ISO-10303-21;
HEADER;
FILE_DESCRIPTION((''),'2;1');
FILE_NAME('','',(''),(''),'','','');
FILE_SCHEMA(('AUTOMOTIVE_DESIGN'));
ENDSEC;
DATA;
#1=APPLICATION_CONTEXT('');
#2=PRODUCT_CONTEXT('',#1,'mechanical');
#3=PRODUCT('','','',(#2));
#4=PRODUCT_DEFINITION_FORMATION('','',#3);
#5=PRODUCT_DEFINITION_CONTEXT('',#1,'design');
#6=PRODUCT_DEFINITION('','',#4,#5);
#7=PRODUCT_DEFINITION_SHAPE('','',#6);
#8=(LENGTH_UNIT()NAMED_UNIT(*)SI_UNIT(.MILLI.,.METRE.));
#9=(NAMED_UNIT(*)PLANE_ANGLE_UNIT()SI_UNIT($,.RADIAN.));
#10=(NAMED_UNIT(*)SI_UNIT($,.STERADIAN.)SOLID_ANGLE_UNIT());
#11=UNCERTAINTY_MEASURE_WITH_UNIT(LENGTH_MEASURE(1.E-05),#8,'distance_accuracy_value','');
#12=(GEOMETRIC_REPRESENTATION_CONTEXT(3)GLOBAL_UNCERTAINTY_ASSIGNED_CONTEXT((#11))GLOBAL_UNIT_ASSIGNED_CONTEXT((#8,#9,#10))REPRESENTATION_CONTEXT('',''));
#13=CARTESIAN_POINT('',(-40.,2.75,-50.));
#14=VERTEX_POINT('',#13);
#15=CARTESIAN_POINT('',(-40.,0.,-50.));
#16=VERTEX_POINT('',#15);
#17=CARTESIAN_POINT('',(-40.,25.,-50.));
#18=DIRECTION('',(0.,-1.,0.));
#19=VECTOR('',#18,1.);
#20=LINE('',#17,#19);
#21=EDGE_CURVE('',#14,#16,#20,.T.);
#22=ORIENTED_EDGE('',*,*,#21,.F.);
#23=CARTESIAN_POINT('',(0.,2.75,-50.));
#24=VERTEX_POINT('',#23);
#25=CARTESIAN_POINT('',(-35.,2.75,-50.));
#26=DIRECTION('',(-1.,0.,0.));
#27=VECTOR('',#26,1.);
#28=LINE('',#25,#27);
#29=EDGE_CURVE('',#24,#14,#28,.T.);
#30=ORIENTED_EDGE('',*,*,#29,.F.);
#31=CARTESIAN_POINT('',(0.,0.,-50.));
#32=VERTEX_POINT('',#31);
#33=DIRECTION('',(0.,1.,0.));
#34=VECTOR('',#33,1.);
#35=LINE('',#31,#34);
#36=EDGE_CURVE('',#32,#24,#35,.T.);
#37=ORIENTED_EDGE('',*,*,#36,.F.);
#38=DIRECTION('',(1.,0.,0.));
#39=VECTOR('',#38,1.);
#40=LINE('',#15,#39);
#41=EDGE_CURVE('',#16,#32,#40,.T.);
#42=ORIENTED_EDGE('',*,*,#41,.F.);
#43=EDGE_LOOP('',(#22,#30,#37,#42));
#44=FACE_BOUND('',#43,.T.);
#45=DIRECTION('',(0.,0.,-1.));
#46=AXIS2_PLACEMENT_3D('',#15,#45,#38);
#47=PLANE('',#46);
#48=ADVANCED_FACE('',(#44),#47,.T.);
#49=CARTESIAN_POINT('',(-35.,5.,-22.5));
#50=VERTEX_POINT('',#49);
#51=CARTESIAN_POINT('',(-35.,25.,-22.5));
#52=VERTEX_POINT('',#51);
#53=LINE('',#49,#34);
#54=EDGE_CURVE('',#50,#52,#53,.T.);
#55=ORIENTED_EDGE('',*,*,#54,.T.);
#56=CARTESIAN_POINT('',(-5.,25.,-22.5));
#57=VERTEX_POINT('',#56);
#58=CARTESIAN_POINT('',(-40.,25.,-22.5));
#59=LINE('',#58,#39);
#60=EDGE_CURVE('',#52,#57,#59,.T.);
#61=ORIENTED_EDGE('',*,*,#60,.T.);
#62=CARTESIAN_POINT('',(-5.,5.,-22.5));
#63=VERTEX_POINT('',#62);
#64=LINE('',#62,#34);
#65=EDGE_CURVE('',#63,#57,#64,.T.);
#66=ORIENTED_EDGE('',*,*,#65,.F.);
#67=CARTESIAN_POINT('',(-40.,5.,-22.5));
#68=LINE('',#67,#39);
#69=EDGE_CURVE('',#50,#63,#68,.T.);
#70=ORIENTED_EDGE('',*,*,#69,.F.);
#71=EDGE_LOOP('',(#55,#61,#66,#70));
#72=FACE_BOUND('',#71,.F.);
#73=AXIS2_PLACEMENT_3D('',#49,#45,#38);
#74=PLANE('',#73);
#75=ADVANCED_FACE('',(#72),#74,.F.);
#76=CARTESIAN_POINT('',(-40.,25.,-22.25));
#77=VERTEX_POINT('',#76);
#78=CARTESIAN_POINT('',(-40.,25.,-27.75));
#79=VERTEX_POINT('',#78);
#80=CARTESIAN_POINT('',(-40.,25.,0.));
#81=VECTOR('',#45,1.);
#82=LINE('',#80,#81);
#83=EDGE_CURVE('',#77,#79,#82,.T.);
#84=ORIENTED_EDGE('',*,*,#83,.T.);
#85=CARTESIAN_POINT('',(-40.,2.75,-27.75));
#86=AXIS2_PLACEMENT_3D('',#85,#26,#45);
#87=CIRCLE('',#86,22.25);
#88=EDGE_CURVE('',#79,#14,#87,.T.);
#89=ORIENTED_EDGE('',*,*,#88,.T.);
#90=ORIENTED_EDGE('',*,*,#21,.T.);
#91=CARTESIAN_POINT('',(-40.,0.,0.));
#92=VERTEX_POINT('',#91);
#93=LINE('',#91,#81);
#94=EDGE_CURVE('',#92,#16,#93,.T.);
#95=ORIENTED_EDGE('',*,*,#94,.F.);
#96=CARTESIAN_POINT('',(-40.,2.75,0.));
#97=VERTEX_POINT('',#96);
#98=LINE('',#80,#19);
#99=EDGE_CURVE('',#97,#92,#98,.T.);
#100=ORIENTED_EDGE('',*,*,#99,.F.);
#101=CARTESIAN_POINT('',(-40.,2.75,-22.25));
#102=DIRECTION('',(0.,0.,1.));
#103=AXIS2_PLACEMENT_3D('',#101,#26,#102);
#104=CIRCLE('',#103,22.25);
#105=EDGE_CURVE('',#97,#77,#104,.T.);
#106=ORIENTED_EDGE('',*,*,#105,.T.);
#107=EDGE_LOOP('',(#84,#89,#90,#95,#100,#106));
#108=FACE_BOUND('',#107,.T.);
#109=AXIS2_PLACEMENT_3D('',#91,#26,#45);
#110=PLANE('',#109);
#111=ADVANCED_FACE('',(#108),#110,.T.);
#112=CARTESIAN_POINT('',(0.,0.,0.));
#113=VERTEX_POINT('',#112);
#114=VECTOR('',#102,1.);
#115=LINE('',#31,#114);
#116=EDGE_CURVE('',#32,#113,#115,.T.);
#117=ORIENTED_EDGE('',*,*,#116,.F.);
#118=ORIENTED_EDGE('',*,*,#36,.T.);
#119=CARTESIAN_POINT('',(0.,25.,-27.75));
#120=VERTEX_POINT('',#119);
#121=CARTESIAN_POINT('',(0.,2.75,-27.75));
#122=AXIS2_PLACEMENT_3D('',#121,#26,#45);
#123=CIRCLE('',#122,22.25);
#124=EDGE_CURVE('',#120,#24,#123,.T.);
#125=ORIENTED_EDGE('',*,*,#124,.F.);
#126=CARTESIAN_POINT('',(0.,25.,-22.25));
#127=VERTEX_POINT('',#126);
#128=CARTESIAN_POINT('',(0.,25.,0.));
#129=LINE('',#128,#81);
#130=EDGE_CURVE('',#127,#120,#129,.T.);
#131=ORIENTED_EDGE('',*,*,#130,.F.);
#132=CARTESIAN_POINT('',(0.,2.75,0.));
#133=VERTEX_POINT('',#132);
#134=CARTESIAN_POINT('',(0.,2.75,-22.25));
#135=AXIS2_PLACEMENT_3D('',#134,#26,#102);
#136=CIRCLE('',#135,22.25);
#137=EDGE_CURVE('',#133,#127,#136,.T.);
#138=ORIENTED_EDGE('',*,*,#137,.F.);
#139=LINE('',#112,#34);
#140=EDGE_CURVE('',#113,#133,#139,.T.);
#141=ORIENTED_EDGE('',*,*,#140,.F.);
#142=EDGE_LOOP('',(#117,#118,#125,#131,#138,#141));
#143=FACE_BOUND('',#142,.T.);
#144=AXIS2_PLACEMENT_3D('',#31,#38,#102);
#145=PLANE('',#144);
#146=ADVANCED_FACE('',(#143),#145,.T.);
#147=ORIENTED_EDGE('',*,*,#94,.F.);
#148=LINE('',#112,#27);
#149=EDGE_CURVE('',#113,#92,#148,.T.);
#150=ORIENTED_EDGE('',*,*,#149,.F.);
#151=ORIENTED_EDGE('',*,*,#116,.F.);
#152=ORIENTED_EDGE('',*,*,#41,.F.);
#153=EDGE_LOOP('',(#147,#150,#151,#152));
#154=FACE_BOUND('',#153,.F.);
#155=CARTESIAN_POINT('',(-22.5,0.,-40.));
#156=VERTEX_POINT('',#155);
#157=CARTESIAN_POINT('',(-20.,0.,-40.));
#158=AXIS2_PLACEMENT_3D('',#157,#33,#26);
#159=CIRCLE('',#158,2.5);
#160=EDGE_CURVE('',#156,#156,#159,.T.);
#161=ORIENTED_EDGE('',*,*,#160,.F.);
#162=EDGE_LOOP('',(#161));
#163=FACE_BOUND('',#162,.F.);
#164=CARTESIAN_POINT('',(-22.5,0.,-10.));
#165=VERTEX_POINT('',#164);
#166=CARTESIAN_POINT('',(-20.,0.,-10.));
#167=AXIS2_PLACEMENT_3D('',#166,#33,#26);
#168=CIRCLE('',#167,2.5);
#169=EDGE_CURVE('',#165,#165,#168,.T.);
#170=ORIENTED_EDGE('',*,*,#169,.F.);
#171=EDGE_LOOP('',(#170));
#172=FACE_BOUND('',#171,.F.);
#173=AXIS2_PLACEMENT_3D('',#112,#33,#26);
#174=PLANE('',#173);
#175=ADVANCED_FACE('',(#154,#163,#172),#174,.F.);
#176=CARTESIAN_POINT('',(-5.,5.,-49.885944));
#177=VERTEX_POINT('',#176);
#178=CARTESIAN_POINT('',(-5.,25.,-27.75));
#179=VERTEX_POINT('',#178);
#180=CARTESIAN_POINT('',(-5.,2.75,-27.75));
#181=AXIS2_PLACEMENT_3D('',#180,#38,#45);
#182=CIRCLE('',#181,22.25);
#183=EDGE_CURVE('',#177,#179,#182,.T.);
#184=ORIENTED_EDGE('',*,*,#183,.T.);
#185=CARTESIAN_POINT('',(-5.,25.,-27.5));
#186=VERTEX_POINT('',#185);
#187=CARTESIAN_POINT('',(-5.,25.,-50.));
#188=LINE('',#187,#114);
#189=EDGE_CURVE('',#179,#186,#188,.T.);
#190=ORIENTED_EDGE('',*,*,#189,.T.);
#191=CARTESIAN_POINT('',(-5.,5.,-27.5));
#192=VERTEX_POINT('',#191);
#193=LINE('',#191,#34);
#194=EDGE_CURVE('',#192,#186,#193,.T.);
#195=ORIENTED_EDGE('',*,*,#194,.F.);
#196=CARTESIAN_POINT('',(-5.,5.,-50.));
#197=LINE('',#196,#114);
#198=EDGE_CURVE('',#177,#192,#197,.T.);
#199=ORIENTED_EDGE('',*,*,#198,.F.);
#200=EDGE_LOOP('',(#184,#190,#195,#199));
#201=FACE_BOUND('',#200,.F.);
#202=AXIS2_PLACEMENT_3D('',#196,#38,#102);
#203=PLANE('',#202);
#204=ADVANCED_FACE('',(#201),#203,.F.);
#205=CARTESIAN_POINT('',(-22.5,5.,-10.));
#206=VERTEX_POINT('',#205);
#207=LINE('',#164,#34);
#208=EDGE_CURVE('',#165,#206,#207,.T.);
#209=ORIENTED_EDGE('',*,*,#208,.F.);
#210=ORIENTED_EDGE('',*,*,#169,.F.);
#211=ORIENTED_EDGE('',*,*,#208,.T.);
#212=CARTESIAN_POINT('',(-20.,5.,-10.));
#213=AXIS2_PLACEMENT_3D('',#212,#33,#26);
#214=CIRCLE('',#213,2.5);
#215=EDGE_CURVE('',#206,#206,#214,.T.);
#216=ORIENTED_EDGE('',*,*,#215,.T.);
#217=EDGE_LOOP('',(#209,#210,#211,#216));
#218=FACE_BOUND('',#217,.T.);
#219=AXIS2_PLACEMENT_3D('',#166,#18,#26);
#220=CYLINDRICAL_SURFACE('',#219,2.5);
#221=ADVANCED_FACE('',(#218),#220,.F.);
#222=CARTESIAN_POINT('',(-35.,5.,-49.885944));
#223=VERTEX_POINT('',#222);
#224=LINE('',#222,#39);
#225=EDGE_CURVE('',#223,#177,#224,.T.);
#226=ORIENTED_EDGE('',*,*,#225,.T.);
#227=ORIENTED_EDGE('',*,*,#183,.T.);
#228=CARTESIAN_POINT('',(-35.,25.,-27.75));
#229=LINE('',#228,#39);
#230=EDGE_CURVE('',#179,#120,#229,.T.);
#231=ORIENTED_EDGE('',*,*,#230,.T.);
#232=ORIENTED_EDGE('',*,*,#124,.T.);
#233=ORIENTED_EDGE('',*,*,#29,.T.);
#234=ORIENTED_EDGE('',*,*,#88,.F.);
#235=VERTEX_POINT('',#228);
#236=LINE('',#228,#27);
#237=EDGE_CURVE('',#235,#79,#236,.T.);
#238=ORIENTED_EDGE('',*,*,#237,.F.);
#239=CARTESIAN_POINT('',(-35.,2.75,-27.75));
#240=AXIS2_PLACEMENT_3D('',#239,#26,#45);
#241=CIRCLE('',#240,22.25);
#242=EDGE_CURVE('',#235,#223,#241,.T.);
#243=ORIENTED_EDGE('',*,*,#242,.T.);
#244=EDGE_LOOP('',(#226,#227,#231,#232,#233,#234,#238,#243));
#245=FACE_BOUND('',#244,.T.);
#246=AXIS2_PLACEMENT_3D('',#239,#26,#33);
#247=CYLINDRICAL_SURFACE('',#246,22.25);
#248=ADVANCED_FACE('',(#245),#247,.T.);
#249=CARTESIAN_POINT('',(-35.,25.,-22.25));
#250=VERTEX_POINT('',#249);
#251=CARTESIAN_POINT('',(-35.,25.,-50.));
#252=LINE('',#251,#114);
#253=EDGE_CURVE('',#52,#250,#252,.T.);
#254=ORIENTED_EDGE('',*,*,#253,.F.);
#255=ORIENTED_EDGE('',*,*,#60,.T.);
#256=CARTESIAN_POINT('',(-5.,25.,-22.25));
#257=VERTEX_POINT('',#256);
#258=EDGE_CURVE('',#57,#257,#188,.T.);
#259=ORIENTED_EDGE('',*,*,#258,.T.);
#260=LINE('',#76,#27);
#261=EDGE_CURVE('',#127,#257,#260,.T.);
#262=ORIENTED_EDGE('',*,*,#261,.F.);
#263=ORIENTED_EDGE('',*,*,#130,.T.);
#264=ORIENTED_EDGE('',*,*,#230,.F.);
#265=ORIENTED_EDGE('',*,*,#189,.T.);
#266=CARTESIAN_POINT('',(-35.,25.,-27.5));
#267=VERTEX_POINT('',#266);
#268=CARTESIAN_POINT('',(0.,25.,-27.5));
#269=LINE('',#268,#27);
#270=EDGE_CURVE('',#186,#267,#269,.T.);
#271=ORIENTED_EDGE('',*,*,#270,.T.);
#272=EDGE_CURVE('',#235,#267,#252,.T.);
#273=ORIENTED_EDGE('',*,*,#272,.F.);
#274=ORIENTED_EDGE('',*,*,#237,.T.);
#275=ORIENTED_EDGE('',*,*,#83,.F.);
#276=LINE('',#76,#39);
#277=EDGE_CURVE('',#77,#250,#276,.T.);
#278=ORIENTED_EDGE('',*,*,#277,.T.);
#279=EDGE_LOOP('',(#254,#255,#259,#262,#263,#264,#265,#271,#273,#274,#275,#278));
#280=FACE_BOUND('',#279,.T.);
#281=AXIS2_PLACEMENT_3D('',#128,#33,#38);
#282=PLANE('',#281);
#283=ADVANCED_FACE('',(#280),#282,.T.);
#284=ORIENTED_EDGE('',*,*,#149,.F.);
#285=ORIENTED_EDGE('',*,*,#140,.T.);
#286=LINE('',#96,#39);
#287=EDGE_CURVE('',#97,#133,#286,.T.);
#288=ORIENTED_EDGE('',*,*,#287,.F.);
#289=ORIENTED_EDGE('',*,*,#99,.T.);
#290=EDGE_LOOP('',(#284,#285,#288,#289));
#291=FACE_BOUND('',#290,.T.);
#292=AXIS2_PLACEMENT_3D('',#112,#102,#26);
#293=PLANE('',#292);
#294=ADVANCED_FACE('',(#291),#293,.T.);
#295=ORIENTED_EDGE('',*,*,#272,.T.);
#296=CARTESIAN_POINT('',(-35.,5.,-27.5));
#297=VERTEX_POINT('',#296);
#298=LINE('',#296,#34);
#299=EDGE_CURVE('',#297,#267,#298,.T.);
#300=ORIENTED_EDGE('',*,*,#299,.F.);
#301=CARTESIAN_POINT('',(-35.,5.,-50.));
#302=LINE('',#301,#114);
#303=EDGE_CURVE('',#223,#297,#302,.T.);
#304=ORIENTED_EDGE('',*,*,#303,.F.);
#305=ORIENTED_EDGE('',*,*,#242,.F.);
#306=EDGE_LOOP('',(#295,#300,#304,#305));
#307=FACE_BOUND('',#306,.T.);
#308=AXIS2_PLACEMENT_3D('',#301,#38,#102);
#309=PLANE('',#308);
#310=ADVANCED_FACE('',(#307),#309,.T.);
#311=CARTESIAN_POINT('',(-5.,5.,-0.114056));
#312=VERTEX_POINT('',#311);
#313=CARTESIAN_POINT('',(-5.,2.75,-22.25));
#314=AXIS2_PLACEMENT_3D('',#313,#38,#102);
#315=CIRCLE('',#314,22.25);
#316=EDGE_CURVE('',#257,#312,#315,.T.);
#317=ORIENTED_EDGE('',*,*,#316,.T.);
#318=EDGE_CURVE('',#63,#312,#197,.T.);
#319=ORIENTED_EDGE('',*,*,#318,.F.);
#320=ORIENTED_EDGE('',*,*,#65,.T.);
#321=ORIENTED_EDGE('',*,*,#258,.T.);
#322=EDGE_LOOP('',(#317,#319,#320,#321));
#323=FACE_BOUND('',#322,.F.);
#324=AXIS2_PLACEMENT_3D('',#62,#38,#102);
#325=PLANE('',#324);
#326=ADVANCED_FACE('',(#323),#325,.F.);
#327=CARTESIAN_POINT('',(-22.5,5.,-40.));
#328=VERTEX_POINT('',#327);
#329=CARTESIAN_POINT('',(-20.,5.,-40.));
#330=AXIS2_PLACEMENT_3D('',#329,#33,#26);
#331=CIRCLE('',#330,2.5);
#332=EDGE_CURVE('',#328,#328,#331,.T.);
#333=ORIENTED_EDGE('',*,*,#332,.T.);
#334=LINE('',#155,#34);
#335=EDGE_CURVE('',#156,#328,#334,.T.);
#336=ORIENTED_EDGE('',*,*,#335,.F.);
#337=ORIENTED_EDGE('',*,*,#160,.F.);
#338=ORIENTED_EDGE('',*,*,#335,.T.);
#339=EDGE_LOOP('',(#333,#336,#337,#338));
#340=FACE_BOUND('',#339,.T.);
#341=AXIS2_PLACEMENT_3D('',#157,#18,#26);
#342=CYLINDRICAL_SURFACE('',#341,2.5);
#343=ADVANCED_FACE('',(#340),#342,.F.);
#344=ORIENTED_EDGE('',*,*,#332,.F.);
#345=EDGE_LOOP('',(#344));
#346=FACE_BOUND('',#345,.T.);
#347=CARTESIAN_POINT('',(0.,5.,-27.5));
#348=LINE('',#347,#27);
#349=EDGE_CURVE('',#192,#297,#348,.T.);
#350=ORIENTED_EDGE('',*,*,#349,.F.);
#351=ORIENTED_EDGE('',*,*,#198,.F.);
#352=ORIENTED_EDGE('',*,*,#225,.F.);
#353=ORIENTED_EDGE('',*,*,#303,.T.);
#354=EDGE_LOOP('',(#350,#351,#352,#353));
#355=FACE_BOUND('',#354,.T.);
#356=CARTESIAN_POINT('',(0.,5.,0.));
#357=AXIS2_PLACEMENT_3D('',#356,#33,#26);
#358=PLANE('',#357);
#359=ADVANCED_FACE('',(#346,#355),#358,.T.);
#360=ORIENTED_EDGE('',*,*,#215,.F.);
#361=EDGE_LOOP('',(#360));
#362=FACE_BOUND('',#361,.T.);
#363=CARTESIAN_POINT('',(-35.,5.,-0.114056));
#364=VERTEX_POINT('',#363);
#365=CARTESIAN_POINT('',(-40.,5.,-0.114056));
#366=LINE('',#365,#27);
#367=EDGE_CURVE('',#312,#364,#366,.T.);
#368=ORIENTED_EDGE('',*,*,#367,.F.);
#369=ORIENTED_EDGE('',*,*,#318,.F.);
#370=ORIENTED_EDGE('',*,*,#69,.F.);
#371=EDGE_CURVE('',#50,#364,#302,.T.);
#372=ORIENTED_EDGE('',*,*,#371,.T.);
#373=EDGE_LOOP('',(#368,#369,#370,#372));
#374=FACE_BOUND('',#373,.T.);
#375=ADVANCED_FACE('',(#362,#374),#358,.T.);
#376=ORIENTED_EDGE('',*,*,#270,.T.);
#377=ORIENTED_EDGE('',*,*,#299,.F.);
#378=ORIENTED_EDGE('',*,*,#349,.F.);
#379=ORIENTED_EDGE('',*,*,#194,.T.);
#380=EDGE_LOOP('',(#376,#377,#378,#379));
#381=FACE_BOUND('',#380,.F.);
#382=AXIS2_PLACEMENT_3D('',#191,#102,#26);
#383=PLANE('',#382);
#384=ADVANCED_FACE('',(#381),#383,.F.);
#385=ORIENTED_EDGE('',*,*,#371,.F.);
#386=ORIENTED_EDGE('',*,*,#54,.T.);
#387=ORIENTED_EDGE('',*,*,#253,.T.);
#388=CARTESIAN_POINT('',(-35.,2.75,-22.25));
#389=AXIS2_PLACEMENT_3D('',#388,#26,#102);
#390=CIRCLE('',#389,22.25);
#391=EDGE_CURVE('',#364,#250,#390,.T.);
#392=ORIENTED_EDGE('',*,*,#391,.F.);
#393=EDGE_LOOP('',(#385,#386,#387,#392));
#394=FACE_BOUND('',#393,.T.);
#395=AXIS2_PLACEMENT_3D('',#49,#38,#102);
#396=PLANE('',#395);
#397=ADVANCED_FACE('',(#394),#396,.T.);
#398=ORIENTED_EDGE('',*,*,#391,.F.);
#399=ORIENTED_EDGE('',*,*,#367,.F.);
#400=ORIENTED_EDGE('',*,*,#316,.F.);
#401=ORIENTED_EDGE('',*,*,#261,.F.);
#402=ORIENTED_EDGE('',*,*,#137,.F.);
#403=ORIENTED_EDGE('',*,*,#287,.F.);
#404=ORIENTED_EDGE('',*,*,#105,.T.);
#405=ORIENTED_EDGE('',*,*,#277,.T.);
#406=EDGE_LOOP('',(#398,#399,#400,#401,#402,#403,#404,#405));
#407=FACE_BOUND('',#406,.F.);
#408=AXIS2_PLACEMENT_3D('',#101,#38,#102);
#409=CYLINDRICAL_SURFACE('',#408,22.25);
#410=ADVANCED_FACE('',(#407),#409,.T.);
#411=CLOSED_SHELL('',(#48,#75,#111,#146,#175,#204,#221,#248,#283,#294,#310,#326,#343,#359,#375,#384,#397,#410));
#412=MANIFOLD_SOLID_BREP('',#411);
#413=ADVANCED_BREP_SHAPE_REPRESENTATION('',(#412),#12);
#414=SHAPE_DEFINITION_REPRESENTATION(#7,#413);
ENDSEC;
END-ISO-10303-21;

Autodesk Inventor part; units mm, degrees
ref_plane "YZ Plane" through (0, 0, 0) normal (1, 0, 0) x (0, 1, 0)
ref_plane "XZ Plane" through (0, 0, 0) normal (0, 1, 0) x (-1, 0, 0)
ref_plane "XY Plane" through (0, 0, 0) normal (0, 0, 1) x (1, 0, 0)
sketch "Sketch1" plane through (0, 0, 0) normal (0, 1, 0) x (-1, 0, 0)
  line L0 (0, 0) -> (40, 0)
  line L1 (40, 0) -> (40, -50)
  line L2 (40, -50) -> (0, -50)
  line L3 (0, -50) -> (0, 0)
  circle A0 centre (20, -10) radius 2.5
  circle A1 centre (20, -40) radius 2.5
  dimension "d0" = 40
  dimension "d1" = 50
  dimension "d2" = 5
  dimension "d3" = 5
  dimension "d4" = 10
  dimension "d5" = 10
  dimension "d6" = 20
extrude "Extrusion1" add sketch "Sketch1" along normal blind 5
sketch "Sketch2" plane through (0, 5, 0) normal (0, 1, 0) x (1, 0, 0)
  line L0 (-40, 50) -> (-40, 0) projected
  line L1 (0, 0) -> (0, 50) projected
  line L2 (-40, 22.5) -> (0, 22.5)
  line L3 (0, 22.5) -> (0, 27.5)
  line L4 (0, 27.5) -> (-40, 27.5)
  line L5 (-40, 27.5) -> (-40, 22.5)
  line L6 (-40, 0) -> (0, 0) projected
  line L7 (0, 50) -> (-40, 50) projected
  line L8 (-40, 50) -> (-35, 50)
  line L9 (-35, 50) -> (-35, 0)
  line L10 (-35, 0) -> (-40, 0)
  line L11 (-40, 0) -> (-40, 50)
  line L12 (-5, 0) -> (0, 0)
  line L13 (0, 0) -> (0, 50)
  line L14 (0, 50) -> (-5, 50)
  line L15 (-5, 50) -> (-5, 0)
  point P0 (0, 22.5)
  point P1 (-5, 22.5)
  point P2 (-5, 27.5)
  point P3 (-35, 22.5)
  point P4 (-35, 27.5)
  dimension "d9" = 5
  dimension "d10" = 22.5
  dimension "d13" = 5
  dimension "d14" = 5
extrude "Extrusion2" add sketch "Sketch2" along normal blind 20 contours L7 L9 L4 L0 | L4 L9 L2 L0 | L2 L9 L6 L0 | L4 L15 L2 L9 | L7 L1 L4 L15 | L4 L1 L2 L15 | L2 L1 L6 L15
fillet "Fillet1" radius 22.25 4 edges at (-37.5, 25, 0) (-37.5, 25, -50) (-2.5, 25, -50) (-2.5, 25, 0)
properties part number "LightSensor01"
